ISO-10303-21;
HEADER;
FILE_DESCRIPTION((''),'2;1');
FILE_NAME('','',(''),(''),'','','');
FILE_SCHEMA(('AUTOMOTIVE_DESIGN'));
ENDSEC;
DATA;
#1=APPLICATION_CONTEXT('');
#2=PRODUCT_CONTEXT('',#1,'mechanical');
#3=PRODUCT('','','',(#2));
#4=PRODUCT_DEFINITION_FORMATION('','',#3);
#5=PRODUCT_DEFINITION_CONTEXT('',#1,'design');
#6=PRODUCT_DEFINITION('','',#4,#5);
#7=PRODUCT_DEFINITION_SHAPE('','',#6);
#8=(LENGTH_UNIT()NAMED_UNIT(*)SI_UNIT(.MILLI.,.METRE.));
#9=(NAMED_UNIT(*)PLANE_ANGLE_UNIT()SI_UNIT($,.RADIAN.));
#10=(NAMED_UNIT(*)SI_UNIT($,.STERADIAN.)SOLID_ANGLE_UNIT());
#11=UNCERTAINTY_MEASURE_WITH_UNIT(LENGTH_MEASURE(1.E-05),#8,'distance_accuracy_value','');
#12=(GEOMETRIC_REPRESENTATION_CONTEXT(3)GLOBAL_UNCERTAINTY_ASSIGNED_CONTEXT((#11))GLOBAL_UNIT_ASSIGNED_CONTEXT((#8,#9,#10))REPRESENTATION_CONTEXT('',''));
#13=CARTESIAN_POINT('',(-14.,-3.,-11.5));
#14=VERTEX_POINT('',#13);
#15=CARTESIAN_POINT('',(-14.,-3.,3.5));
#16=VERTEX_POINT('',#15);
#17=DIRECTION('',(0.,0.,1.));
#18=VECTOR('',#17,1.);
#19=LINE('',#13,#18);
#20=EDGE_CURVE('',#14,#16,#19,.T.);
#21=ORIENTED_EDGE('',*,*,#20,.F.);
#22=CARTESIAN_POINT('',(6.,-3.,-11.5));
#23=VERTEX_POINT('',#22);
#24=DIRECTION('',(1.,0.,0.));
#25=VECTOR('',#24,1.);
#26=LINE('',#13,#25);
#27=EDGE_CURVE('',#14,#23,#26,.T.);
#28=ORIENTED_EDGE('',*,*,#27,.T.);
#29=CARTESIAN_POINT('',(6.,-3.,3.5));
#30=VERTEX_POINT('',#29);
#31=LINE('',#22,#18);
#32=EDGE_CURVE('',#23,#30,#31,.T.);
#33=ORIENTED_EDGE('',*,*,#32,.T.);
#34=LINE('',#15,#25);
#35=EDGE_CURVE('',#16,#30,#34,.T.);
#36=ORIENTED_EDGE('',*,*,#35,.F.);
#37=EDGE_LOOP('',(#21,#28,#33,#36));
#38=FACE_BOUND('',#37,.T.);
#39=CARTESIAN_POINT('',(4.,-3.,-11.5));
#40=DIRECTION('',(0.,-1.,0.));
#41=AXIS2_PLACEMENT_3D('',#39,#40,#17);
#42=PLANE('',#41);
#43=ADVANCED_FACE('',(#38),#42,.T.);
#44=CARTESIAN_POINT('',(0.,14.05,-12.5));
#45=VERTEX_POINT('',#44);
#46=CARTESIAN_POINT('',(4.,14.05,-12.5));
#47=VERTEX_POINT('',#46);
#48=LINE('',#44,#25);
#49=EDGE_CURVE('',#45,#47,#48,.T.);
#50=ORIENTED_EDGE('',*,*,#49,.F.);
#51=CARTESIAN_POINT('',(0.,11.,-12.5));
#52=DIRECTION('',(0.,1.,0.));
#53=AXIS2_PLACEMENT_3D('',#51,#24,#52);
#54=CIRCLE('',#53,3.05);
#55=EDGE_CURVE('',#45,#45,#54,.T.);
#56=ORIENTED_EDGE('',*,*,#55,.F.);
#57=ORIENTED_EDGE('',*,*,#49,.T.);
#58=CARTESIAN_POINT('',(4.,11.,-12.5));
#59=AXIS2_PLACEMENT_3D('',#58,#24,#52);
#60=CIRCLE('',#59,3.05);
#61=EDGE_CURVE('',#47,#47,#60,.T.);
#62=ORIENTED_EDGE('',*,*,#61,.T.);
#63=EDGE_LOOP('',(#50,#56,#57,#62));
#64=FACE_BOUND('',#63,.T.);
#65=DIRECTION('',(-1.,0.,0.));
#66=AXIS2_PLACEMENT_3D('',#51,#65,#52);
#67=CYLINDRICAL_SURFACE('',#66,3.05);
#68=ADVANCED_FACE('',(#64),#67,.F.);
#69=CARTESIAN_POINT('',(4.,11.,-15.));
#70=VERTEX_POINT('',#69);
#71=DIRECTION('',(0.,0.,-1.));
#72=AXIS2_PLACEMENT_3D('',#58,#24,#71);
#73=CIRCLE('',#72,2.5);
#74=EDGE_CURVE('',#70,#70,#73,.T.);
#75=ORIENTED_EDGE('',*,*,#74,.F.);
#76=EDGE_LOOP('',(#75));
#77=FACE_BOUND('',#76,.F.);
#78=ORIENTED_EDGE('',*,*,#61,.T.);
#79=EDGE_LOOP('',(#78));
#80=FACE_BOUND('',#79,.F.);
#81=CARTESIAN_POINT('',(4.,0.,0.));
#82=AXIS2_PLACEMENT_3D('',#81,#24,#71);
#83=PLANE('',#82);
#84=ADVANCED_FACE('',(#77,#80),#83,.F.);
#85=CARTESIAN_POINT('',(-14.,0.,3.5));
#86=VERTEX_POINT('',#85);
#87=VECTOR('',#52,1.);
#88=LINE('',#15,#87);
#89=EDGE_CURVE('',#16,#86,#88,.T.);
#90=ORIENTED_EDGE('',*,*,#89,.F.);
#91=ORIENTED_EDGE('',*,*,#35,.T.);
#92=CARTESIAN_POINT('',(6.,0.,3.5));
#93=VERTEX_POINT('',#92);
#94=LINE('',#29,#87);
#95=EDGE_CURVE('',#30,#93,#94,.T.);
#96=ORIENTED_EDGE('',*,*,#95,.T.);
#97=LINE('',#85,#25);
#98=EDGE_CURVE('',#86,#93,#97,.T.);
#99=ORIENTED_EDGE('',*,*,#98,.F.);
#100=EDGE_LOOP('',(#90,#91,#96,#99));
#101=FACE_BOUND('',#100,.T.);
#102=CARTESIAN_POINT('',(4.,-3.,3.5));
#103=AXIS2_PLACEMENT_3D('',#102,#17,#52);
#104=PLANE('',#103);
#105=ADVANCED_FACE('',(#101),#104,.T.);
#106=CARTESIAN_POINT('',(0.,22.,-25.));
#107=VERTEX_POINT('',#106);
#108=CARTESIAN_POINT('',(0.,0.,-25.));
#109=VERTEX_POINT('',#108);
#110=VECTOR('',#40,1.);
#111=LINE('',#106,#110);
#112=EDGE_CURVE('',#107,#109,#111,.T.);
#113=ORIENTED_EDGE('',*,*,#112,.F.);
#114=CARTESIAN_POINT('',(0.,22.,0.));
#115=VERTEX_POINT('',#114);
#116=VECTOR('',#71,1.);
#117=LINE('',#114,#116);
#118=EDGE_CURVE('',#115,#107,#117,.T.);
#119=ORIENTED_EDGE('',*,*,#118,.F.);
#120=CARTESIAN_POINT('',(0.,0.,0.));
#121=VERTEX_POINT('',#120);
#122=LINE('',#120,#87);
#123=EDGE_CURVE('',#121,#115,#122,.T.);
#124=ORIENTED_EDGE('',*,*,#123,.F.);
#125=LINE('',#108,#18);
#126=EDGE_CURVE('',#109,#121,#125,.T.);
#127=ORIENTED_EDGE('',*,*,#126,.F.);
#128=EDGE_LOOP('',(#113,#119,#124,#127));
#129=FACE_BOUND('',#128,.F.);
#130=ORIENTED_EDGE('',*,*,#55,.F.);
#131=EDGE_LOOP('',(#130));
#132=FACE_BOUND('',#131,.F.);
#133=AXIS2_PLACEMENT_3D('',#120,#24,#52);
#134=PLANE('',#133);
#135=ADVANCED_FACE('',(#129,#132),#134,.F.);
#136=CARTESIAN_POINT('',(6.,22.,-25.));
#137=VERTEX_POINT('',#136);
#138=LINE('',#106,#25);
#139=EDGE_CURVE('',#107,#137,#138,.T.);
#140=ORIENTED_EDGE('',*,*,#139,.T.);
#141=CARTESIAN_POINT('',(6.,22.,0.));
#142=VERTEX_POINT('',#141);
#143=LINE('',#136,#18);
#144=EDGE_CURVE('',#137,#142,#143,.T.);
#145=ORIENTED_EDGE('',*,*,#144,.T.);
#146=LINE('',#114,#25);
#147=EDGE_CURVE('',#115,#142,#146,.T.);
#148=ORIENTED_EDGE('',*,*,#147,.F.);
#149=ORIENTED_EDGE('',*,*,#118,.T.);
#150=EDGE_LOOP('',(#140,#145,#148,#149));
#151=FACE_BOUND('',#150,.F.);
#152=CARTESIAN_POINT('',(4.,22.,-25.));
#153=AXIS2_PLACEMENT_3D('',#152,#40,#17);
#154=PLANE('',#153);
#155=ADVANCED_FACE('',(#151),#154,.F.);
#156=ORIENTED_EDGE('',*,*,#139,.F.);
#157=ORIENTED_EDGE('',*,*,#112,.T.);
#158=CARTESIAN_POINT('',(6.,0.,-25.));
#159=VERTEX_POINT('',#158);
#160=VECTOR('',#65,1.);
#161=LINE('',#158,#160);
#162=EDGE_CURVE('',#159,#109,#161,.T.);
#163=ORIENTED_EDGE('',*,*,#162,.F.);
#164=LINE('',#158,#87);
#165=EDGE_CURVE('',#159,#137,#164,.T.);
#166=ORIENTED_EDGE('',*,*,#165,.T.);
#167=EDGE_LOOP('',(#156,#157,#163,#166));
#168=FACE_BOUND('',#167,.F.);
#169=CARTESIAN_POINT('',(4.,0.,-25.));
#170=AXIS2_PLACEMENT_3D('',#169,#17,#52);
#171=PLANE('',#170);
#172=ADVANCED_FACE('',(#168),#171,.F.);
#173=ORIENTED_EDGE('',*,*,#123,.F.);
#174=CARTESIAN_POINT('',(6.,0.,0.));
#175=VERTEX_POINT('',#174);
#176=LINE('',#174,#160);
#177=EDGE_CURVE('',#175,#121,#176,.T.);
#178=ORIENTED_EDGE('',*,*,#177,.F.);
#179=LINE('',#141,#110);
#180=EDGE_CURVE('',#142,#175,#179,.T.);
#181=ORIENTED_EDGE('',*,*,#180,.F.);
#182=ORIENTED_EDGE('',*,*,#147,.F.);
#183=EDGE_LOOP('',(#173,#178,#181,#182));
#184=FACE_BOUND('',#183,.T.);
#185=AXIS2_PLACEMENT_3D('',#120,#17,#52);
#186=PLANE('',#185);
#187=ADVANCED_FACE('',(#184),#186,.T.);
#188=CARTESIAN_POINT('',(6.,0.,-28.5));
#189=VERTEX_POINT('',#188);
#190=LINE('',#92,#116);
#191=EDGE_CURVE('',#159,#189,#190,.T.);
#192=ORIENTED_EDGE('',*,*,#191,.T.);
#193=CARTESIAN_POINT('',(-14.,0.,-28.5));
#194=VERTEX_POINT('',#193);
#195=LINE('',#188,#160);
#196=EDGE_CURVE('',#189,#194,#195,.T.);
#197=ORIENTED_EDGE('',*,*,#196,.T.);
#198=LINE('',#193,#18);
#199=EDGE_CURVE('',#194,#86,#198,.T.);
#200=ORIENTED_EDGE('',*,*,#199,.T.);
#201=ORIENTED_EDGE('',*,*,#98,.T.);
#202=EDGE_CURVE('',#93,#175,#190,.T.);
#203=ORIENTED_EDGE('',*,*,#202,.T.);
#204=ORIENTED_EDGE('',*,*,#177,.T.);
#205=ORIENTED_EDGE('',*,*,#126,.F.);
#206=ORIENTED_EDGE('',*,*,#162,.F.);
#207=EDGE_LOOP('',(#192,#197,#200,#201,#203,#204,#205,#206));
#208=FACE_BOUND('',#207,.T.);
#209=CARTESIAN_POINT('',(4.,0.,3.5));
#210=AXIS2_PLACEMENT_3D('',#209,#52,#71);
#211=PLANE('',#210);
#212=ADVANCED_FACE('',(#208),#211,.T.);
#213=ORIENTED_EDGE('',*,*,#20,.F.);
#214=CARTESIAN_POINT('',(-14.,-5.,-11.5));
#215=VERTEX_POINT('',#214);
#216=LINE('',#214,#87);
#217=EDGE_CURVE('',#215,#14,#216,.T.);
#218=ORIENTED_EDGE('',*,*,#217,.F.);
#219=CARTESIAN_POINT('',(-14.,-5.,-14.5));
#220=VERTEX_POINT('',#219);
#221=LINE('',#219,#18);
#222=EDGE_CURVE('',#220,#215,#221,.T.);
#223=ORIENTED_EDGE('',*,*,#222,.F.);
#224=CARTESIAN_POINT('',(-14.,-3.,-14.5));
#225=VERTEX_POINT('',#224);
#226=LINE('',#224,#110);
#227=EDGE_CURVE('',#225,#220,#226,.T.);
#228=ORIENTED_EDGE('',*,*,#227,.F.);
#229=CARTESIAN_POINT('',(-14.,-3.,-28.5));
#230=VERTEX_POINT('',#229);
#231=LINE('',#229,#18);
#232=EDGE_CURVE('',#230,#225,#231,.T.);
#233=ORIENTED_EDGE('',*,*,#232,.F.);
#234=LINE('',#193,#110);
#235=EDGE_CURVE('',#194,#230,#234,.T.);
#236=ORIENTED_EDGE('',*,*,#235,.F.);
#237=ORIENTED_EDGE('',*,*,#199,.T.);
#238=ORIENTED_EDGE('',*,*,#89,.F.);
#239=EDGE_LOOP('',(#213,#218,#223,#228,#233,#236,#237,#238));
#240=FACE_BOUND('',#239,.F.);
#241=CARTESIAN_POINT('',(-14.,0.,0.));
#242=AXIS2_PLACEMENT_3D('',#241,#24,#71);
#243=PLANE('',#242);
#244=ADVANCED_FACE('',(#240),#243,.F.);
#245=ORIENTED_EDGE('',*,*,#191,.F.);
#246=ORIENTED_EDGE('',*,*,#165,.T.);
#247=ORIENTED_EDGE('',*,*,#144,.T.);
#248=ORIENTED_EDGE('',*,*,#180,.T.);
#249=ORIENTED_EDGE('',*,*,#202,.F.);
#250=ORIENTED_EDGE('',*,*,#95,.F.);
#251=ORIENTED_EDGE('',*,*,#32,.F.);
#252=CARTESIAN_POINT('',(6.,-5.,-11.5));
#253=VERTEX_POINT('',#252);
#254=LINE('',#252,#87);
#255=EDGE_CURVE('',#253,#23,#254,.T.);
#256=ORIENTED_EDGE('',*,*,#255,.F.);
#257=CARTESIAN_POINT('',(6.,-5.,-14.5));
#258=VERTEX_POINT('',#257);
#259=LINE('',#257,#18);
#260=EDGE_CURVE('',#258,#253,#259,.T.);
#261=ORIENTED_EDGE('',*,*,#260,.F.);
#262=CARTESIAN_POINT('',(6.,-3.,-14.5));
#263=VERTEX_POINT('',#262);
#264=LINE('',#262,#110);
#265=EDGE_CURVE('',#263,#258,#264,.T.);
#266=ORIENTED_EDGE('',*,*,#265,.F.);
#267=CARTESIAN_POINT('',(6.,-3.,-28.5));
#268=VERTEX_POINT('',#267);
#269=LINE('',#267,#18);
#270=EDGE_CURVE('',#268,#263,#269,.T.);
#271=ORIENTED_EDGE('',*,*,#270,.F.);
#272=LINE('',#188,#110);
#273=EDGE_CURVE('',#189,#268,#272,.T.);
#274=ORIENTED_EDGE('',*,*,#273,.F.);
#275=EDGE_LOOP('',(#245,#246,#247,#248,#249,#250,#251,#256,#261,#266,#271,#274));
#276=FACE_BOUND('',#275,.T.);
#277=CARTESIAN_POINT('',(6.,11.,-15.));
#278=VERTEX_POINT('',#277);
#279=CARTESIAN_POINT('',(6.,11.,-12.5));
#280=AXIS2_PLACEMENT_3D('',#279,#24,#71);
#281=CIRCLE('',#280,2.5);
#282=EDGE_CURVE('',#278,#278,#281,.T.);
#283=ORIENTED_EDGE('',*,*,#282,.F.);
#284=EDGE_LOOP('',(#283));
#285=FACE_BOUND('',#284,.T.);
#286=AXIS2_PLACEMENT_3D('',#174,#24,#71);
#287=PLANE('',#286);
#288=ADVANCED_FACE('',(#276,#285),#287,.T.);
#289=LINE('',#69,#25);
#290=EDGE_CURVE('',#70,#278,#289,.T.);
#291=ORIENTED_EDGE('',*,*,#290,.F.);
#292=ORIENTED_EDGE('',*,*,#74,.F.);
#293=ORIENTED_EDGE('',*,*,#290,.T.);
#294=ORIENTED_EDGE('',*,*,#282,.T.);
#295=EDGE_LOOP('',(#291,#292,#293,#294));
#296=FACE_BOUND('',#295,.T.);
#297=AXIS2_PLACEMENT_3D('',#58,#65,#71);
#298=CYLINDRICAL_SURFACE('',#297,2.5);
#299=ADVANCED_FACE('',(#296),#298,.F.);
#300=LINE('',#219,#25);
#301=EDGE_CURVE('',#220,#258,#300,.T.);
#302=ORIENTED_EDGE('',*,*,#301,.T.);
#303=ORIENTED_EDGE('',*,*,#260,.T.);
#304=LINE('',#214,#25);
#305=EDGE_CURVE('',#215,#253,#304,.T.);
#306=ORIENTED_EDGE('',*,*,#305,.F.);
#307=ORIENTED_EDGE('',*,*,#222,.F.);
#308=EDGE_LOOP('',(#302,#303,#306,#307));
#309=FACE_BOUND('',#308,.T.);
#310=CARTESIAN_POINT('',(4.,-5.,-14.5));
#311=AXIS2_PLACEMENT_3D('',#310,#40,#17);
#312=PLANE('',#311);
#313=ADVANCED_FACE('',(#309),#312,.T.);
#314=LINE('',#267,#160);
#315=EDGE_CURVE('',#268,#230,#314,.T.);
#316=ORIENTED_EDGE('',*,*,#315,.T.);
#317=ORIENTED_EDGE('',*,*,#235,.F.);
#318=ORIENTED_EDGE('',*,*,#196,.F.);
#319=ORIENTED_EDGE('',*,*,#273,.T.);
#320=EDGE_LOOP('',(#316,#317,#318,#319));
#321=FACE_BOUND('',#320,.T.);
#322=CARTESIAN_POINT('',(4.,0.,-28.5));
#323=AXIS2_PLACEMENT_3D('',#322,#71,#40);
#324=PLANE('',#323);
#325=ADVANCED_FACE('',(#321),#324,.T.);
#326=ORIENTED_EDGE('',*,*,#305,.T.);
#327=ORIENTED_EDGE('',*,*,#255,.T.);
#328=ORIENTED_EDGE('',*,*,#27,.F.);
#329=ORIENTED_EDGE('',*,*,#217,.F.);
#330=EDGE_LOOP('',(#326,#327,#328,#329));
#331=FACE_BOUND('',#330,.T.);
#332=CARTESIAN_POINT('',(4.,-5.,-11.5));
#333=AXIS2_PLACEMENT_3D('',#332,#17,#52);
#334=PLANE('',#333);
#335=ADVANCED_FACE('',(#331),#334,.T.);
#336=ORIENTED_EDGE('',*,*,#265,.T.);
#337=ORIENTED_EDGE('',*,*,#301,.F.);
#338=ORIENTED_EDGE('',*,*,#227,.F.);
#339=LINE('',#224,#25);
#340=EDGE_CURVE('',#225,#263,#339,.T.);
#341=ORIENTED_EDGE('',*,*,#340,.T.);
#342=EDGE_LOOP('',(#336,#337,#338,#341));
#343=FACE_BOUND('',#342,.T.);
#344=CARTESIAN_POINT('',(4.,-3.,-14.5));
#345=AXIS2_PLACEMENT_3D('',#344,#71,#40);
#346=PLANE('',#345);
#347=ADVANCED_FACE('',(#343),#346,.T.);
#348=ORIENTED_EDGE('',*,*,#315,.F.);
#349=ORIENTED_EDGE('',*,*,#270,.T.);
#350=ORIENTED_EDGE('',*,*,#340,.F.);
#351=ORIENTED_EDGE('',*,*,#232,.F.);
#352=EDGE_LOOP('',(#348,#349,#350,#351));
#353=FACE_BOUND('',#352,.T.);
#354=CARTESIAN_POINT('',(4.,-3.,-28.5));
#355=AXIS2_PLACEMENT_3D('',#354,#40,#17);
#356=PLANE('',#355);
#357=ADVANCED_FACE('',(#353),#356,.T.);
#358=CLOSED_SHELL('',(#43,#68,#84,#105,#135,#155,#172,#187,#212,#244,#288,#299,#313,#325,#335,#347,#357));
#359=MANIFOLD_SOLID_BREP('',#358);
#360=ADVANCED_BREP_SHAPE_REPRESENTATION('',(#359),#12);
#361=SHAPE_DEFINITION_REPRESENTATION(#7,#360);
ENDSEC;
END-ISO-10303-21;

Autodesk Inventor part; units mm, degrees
ref_plane "YZ Plane" through (0, 0, 0) normal (1, 0, 0) x (0, 1, 0)
ref_plane "XZ Plane" through (0, 0, 0) normal (0, 1, 0) x (-1, 0, 0)
ref_plane "XY Plane" through (0, 0, 0) normal (0, 0, 1) x (1, 0, 0)
sketch "Sketch1" plane through (0, 0, 0) normal (1, 0, 0) x (0, 1, 0)
  line L0 (0, 0) -> (22, 0)
  line L1 (22, 0) -> (22, -25)
  line L2 (22, -25) -> (0, -25)
  line L3 (0, -25) -> (0, 0)
  circle A0 centre (11, -12.5) radius 3.05
  dimension "d0" = 22
  dimension "d1" = 25
  dimension "d2" = 6.1
  dimension "d3" = 11
  dimension "d4" = 12.5
extrude "Extrusion1" add sketch "Sketch1" along normal blind 4
sketch "Sketch2" plane through (4, 0, 0) normal (1, 0, 0) x (0, 0, -1)
  line L0 (-3.5, 0) -> (28.5, 0)
  line L1 (28.5, 0) -> (28.5, -3)
  line L2 (-3.5, -3) -> (-3.5, 0)
  line L3 (0, 22) -> (0, 0) projected
  line L4 (25, 0) -> (25, 22) projected
  line L5 (0, 0) -> (25, 0) projected
  line L6 (11.5, -3) -> (14.5, -3)
  line L7 (14.5, -3) -> (14.5, -5)
  line L8 (14.5, -5) -> (11.5, -5)
  line L9 (11.5, -5) -> (11.5, -3)
  line L10 (28.5, -3) -> (14.5, -3)
  line L11 (11.5, -3) -> (-3.5, -3)
  dimension "d8" = 3
  dimension "d9" = 3.5
  dimension "d10" = 3.5
  dimension "d13" = 3
  dimension "d14" = 2
  dimension "d15" = 11.5
extrude "Extrusion2" add sketch "Sketch2" along normal blind 2 and the other way blind 18
sketch "Sketch3" plane through (4, 0, 0) normal (1, 0, 0) x (0, 0, -1)
  line L0 (25, 22) -> (0, 22) projected
  line L1 (0, 22) -> (0, 0) projected
  line L2 (25, 22) -> (0, 22)
  line L3 (0, 22) -> (0, 0)
  line L4 (0, 0) -> (25, 0)
  line L5 (25, 0) -> (25, 22)
  circle A0 centre (12.5, 11) radius 2.5
  dimension "d16" = 5
  dimension "d17" = 12.5
  dimension "d18" = 11
extrude "Extrusion3" add sketch "Sketch3" along normal blind 2
equation "\"d3\" = 0.5 * d0"
properties part number "_3DPrint"
